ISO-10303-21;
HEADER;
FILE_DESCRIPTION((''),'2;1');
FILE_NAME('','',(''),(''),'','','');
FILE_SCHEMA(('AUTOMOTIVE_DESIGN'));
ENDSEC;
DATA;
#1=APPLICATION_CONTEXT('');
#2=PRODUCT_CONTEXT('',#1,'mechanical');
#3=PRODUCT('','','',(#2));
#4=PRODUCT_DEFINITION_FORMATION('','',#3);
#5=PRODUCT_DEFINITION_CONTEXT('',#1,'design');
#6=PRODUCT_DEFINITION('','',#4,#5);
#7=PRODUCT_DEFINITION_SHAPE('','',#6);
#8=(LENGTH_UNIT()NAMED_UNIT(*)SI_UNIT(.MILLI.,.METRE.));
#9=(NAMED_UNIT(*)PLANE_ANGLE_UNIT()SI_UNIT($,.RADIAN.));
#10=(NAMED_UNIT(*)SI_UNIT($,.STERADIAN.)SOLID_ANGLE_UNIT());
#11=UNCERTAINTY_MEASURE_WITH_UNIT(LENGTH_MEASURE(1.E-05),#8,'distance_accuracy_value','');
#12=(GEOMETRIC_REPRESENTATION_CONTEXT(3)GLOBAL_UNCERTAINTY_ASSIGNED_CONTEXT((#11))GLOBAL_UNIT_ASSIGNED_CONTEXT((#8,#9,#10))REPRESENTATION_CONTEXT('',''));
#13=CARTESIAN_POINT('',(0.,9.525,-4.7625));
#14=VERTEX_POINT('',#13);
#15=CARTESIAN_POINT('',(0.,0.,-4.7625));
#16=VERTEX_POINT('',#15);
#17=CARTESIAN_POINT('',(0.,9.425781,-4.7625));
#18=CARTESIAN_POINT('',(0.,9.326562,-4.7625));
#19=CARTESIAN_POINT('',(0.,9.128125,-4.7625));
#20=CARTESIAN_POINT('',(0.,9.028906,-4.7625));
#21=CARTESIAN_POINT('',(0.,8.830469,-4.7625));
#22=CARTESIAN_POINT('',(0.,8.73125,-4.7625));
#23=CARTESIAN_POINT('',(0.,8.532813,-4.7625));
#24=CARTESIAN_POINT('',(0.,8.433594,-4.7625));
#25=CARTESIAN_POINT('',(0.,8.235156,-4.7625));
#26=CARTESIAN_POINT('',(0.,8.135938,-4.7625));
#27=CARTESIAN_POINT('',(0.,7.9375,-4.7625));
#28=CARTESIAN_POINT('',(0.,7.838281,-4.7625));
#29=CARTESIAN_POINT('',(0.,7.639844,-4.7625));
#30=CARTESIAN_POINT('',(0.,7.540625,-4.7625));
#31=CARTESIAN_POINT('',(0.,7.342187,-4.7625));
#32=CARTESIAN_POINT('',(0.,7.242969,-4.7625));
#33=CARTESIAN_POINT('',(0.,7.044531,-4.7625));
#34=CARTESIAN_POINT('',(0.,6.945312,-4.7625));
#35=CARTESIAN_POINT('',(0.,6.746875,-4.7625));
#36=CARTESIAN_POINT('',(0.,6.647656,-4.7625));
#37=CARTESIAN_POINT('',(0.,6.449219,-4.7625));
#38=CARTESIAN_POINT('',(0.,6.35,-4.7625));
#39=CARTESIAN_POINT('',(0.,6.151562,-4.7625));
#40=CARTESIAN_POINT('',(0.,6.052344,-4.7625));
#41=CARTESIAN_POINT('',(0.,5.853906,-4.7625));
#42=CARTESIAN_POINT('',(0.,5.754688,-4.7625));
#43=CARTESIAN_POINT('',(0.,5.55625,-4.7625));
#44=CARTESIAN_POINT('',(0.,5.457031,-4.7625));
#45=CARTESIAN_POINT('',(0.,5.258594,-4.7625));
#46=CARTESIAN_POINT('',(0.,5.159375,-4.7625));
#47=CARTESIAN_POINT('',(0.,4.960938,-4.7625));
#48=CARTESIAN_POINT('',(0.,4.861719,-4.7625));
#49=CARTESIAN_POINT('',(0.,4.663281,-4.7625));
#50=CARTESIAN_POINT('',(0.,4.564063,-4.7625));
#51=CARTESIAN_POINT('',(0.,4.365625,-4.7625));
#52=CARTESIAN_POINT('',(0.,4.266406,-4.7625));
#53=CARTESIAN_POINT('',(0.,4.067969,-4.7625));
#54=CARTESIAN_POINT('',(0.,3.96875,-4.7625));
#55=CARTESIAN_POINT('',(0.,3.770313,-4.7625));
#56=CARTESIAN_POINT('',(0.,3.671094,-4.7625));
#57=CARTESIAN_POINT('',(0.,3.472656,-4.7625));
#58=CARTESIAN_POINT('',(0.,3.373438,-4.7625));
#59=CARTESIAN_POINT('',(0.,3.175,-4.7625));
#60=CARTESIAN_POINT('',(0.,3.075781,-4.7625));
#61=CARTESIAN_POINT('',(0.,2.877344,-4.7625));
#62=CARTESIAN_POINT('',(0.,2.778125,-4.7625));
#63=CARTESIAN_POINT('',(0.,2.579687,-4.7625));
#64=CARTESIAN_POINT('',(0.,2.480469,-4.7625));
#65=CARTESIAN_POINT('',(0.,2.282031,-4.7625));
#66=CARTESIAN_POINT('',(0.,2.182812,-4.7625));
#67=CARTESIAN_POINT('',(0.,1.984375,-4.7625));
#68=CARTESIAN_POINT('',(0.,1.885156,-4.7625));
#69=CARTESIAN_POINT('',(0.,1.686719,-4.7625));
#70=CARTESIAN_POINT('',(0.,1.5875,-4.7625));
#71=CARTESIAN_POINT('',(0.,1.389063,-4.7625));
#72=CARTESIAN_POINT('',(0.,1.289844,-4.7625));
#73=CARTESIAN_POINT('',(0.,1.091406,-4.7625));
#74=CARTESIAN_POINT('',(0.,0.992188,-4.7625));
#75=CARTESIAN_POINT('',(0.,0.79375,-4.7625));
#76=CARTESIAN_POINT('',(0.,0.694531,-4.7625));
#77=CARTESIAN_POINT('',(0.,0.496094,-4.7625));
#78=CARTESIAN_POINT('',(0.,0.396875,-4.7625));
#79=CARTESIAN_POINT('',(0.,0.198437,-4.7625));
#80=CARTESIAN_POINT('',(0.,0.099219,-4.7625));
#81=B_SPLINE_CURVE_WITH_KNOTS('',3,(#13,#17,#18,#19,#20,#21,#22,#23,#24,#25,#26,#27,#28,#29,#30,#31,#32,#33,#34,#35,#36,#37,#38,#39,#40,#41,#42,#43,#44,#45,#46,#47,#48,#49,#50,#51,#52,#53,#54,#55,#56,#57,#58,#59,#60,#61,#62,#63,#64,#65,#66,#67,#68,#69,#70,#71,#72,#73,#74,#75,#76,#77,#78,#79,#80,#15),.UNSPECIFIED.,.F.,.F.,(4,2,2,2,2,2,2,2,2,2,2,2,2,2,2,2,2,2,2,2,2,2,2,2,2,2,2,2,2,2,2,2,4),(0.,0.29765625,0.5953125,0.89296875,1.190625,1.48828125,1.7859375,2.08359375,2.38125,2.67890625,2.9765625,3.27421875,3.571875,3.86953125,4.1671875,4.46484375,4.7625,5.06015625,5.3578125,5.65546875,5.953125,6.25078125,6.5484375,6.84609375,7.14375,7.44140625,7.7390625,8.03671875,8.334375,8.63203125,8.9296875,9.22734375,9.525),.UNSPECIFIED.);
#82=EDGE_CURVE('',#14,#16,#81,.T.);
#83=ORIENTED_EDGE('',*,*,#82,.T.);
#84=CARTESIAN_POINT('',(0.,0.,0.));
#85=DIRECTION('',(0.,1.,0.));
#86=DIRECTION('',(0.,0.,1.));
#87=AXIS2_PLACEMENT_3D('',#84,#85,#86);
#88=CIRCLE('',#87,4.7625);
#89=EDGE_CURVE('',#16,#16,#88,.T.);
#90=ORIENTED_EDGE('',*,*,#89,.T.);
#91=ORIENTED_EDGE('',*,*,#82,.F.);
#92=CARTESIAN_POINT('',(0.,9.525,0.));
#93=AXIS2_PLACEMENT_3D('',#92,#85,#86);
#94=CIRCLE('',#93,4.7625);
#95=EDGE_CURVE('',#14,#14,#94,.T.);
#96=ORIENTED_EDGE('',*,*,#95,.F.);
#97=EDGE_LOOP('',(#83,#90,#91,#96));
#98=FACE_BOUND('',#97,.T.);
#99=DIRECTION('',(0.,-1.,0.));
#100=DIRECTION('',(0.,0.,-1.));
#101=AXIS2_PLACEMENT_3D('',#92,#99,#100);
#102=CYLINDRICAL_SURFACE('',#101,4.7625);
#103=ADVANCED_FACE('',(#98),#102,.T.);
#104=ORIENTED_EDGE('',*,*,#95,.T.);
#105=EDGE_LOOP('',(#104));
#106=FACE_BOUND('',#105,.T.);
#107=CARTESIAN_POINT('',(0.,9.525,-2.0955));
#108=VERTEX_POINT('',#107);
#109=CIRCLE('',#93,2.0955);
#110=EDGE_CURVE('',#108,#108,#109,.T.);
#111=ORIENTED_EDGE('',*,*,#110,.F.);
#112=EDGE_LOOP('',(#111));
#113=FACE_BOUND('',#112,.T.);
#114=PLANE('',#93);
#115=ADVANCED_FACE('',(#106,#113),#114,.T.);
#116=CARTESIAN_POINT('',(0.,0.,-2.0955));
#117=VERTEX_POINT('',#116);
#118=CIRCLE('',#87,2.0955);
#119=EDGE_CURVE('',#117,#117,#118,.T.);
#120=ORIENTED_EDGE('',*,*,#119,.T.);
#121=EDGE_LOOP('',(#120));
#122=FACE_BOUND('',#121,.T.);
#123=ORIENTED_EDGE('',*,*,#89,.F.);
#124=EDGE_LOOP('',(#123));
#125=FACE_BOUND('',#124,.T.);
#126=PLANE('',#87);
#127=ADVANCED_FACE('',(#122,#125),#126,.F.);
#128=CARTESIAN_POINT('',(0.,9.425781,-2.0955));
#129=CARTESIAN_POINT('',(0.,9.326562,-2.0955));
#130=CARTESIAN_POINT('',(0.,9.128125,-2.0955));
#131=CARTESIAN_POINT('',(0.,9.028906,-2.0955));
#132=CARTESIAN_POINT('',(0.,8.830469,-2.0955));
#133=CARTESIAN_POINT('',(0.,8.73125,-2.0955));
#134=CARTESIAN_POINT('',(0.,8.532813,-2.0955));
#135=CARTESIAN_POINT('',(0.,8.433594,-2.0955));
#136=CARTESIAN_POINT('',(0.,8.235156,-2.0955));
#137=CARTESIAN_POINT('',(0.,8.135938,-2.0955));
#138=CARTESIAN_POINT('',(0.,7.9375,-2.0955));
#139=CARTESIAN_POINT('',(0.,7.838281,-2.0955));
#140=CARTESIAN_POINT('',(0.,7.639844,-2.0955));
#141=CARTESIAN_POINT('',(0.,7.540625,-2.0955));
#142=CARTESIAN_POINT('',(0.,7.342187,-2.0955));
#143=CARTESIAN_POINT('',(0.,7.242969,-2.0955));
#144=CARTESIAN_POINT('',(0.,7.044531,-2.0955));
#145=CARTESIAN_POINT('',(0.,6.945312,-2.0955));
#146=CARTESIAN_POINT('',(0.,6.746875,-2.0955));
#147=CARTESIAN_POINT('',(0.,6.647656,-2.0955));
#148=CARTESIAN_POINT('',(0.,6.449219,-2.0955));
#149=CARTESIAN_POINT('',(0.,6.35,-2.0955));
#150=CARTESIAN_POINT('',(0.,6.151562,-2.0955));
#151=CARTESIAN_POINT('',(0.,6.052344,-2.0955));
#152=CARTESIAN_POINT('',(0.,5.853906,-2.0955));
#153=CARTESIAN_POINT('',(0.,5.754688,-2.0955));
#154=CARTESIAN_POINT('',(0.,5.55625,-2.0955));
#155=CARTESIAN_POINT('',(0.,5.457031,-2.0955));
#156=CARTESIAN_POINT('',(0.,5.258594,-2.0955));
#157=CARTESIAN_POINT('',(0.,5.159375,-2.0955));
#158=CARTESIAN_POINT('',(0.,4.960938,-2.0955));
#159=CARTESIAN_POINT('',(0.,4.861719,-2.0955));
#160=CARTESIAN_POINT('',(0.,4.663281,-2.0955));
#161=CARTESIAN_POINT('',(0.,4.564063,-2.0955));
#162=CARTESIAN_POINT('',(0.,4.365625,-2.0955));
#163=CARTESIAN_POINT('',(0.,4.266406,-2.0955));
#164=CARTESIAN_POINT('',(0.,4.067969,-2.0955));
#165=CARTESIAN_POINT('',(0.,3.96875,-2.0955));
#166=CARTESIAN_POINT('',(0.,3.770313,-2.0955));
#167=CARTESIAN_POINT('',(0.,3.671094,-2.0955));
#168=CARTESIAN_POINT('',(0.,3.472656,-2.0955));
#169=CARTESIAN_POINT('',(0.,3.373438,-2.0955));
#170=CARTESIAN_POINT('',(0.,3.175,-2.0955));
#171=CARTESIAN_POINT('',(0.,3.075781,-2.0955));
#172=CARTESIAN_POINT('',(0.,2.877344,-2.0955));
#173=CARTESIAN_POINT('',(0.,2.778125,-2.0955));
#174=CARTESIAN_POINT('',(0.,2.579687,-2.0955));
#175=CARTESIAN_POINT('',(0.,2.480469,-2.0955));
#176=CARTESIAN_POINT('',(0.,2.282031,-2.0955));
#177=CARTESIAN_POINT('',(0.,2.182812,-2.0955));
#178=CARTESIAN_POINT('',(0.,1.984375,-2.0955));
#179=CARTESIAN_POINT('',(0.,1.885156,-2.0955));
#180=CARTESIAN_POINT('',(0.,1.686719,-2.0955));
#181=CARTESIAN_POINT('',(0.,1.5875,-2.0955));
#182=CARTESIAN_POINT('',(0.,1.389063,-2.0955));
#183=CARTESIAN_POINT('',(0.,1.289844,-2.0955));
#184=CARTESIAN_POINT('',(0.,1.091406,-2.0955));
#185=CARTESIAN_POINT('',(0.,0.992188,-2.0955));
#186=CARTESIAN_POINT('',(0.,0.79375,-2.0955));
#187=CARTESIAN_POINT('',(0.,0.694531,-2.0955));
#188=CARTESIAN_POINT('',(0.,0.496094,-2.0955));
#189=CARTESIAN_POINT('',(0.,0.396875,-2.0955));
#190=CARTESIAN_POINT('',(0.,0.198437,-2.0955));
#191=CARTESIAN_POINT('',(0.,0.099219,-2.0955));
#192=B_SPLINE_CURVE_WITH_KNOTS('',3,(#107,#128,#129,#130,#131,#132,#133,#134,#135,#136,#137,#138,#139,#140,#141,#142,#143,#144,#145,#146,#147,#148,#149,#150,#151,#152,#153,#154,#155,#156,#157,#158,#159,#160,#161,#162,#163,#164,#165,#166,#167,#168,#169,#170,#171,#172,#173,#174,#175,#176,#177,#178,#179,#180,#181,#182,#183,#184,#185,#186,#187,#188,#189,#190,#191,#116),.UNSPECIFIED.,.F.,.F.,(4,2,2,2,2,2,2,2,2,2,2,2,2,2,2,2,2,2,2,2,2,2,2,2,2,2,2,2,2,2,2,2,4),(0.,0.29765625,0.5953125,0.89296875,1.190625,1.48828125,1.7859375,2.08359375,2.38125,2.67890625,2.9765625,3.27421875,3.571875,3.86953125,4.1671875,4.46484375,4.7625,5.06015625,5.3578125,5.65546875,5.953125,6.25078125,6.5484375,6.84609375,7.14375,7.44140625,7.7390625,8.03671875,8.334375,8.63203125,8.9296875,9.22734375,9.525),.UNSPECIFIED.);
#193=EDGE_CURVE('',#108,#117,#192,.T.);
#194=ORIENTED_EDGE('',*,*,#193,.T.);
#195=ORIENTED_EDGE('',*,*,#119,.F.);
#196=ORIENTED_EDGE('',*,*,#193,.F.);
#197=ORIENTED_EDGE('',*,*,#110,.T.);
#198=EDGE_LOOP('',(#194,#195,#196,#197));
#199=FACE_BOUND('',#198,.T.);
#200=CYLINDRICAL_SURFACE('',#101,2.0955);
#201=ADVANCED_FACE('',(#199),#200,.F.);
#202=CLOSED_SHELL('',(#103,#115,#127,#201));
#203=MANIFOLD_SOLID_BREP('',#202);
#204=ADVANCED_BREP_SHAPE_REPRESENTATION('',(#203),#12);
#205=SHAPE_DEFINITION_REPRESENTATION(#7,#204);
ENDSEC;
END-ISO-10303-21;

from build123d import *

# Parameters (mm, degrees)
SKETCH1_R           = 4.7625
SKETCH1_R_2         = 2.0955
BOSS_EXTRUDE1_DEPTH = 9.525


with BuildPart() as part:
    # Sketch1 → Boss-Extrude1 (new body)
    with BuildSketch(Plane(origin=(0, 0, 0), x_dir=(1, 0, 0), z_dir=(0, 1, 0))):
        with Locations(Location((0, 0, 0), (0, 0, 90))):
            Circle(SKETCH1_R)
        with Locations(Location((0, 0, 0), (0, 0, 90))):
            Circle(SKETCH1_R_2, mode=Mode.SUBTRACT)
    extrude(amount=BOSS_EXTRUDE1_DEPTH)


solid = part.part
